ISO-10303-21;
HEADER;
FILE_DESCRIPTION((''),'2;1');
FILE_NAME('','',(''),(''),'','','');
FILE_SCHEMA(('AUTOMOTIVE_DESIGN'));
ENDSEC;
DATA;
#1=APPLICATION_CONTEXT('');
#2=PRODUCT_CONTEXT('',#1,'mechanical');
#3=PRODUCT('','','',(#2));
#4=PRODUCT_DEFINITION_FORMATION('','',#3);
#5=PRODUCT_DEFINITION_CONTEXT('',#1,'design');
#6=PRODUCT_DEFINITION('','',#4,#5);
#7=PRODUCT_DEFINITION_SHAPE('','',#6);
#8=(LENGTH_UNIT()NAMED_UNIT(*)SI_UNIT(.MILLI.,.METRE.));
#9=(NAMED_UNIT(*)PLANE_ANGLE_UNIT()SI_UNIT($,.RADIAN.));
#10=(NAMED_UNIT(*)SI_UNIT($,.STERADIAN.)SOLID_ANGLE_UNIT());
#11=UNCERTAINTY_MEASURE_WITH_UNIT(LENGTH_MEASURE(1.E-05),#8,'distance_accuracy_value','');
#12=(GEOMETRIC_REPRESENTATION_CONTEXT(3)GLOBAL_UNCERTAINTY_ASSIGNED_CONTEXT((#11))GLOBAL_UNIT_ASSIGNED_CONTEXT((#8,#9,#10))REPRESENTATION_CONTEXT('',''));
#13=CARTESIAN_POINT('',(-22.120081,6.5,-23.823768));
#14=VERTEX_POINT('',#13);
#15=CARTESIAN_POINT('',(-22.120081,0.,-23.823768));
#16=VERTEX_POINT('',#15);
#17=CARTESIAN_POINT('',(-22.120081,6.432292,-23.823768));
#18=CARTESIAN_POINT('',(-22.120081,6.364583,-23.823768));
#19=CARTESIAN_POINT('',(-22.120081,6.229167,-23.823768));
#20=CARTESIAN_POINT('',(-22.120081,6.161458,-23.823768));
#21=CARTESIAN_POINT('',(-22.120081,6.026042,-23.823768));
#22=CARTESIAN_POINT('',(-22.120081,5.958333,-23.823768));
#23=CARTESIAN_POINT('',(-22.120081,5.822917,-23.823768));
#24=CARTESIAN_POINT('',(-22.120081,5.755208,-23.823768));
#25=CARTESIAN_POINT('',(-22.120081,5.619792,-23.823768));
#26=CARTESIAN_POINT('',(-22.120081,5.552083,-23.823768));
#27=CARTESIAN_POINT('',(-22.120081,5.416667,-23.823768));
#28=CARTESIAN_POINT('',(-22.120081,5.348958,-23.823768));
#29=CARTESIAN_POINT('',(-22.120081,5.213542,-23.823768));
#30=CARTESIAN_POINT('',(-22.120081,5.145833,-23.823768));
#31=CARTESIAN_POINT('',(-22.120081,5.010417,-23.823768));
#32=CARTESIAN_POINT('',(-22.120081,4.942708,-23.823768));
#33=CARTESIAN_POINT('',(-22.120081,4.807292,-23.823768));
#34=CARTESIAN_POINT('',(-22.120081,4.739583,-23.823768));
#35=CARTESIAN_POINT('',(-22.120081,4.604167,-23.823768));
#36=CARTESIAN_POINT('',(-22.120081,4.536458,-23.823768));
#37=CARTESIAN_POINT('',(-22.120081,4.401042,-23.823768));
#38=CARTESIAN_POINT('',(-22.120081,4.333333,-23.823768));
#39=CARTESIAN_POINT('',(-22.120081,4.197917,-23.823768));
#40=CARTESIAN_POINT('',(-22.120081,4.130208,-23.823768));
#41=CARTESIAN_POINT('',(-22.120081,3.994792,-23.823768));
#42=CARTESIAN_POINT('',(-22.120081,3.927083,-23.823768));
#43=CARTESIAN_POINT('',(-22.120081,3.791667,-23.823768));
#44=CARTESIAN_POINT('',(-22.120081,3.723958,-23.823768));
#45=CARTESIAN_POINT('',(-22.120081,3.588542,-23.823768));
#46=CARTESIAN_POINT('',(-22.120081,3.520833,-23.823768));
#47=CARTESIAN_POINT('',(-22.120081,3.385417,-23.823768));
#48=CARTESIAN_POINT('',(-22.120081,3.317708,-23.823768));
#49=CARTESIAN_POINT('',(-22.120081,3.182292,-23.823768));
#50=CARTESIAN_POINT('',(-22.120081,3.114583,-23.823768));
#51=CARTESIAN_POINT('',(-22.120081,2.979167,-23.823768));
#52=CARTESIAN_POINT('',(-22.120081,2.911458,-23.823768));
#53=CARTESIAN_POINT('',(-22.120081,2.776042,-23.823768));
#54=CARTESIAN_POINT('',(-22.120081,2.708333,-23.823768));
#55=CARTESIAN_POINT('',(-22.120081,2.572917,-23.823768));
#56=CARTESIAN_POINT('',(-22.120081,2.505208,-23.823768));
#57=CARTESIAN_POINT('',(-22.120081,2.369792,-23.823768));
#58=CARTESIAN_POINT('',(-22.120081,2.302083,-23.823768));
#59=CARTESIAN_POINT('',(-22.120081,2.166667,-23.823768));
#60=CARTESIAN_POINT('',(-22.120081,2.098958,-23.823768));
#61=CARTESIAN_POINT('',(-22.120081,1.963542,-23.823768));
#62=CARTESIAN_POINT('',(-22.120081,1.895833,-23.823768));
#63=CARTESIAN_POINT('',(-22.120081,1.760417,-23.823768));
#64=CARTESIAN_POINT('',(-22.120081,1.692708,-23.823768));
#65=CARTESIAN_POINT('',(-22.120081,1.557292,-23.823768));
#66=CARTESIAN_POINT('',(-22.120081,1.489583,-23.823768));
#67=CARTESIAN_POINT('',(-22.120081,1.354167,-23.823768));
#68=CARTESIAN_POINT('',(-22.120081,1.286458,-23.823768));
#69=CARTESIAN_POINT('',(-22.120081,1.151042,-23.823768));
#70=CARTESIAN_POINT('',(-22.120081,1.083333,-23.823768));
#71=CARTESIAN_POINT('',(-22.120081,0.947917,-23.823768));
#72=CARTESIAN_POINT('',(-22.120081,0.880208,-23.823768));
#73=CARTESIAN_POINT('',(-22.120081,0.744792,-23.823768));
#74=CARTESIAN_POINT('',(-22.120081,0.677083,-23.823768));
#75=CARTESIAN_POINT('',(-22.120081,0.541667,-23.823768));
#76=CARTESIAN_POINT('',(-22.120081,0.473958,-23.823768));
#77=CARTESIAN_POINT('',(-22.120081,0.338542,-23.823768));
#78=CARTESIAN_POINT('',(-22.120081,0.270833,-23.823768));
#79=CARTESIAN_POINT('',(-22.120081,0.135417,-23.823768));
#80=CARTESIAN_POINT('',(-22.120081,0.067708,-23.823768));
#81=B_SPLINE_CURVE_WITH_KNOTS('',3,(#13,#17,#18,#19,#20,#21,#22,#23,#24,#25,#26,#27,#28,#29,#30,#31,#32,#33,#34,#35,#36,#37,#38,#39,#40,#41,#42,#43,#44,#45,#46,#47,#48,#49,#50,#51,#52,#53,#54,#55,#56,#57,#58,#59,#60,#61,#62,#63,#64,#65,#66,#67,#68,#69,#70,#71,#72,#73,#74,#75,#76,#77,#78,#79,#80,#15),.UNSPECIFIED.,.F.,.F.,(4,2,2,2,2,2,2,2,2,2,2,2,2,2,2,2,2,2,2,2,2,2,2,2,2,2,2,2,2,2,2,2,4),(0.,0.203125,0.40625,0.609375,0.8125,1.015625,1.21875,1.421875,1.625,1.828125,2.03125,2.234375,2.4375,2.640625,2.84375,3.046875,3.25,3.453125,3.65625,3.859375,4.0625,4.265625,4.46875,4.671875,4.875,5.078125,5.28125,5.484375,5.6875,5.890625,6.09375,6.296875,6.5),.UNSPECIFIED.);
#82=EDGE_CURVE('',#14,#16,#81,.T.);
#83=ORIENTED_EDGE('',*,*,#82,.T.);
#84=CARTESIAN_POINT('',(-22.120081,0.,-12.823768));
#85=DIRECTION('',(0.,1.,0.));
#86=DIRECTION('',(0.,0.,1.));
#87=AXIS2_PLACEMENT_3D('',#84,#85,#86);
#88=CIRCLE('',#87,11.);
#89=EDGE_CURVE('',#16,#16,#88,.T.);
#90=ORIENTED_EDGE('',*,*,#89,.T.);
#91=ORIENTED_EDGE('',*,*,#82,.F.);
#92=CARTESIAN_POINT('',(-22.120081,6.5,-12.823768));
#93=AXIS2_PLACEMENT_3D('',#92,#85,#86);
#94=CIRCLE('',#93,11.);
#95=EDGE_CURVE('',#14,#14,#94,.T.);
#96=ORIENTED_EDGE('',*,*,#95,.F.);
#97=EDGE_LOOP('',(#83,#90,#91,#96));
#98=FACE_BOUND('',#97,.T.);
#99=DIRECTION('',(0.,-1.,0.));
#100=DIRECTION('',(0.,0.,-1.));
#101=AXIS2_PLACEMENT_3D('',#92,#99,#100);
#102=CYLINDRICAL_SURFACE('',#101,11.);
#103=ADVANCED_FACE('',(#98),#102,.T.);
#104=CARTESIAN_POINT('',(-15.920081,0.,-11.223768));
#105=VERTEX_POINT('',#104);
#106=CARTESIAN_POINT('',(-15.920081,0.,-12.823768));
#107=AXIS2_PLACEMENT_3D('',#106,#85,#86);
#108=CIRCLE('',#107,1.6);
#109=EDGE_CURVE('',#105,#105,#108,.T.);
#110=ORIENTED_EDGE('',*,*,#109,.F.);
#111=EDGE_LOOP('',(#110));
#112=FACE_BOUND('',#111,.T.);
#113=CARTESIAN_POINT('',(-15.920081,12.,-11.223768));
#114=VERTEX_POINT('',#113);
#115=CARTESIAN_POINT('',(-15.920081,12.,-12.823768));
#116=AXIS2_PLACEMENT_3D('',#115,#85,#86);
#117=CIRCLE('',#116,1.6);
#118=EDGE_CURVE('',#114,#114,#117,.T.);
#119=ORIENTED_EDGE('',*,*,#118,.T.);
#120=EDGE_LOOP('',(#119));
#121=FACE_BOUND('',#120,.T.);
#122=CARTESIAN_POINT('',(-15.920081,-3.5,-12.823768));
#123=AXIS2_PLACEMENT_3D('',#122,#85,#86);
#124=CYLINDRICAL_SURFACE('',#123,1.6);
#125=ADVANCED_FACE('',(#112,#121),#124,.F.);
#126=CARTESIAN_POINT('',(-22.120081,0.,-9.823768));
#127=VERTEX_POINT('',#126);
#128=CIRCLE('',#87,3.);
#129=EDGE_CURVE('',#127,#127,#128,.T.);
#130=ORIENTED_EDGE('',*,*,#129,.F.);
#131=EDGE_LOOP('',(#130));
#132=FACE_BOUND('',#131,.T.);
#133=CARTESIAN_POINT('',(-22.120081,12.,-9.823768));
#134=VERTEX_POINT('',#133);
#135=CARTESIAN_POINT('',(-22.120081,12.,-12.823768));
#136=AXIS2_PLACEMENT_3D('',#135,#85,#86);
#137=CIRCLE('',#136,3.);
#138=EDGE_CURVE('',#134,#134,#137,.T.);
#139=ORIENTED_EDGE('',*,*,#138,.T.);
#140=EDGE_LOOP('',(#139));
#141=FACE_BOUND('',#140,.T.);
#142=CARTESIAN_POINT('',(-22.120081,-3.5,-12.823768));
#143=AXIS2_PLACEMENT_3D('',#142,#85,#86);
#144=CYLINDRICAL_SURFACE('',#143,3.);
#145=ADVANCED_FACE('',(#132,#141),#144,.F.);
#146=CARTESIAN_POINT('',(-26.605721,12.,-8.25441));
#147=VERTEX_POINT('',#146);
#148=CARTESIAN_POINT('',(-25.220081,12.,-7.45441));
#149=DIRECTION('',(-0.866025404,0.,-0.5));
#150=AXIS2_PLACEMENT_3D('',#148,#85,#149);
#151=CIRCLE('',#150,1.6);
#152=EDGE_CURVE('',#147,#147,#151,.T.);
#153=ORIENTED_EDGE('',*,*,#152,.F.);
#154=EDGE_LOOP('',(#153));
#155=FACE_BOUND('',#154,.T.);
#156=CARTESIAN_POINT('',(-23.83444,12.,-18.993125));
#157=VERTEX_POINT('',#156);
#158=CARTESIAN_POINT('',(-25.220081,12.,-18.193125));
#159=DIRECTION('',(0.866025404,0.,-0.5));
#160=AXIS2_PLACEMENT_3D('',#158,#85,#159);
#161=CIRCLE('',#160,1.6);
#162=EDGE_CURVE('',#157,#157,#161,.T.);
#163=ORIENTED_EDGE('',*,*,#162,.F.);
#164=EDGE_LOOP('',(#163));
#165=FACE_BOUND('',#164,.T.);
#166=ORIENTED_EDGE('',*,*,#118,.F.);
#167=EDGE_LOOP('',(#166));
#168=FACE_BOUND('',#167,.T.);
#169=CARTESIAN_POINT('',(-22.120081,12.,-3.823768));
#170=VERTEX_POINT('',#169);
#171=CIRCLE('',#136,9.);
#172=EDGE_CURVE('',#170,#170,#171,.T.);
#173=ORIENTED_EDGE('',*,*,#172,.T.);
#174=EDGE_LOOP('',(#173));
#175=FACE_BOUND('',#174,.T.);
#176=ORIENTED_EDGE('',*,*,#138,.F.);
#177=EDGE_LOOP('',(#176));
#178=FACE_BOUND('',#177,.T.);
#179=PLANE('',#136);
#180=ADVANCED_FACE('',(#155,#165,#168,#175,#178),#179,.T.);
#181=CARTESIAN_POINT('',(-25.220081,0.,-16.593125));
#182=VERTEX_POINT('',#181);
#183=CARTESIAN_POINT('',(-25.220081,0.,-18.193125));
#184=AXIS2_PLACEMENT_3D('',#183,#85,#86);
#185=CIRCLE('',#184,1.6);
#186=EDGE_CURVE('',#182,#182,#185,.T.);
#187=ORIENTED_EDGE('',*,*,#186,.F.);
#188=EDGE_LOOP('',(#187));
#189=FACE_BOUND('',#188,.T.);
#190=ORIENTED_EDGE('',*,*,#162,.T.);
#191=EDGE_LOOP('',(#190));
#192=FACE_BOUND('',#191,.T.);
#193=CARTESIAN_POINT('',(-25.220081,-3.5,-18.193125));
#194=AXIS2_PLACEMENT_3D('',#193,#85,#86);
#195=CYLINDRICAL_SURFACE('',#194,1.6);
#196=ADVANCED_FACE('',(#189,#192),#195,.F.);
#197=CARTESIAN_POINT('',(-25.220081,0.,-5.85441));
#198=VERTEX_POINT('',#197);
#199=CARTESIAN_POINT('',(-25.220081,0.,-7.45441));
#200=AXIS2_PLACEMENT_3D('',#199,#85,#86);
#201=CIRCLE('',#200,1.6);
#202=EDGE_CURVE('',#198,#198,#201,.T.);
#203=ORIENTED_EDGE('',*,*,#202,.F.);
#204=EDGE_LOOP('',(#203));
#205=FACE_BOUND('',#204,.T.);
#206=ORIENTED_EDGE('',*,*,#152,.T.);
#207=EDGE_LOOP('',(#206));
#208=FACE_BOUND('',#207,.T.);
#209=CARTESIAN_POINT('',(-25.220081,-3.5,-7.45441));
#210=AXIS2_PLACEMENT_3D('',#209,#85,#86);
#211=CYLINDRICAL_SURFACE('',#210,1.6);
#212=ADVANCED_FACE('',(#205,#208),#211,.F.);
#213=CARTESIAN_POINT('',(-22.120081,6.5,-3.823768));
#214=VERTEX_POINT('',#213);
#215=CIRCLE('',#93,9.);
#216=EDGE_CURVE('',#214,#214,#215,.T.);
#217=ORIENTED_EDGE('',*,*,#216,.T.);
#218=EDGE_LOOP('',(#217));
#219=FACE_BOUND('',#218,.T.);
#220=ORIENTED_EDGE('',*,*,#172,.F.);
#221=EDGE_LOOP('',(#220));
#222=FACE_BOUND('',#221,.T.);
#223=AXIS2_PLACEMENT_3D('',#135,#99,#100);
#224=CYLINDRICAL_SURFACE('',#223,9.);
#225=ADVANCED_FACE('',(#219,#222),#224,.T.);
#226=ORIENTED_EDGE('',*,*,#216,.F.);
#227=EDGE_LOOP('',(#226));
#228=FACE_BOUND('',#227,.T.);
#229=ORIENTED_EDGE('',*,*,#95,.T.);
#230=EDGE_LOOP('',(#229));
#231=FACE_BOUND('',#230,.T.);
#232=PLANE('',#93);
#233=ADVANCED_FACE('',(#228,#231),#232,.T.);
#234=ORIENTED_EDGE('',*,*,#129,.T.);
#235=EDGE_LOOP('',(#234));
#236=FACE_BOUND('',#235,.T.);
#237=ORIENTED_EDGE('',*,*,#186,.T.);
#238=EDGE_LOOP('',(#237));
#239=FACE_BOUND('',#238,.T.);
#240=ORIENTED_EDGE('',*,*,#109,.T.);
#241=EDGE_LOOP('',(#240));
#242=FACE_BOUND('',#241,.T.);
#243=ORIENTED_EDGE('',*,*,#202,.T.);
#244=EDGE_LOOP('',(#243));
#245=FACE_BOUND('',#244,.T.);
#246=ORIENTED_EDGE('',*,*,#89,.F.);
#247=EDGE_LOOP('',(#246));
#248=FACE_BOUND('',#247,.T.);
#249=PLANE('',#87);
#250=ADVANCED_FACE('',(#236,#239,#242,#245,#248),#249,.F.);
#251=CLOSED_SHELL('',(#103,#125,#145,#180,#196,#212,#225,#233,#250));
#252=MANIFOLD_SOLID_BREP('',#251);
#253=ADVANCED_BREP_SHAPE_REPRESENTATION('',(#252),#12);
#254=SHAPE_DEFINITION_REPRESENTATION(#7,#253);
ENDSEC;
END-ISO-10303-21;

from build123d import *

# Parameters (mm, degrees)
SKETCH1_R           = 11
BOSS_EXTRUDE1_DEPTH = 6.5
SKETCH2_R           = 9
BOSS_EXTRUDE2_DEPTH = 5.5
SKETCH3_R           = 3
CUT_EXTRUDE1_DEPTH  = 15.5
SKETCH4_R           = 1.6
CUT_EXTRUDE2_DEPTH  = 15.5
CIRPATTERN1_COUNT   = 3


with BuildPart() as part:
    # Sketch1 → Boss-Extrude1 (new body)
    with BuildSketch(Plane(origin=(0, 0, 0), x_dir=(1, 0, 0), z_dir=(0, 1, 0))):
        with Locations(Location((-22.120080678, 12.823767702, 0), (0, 0, 90))):
            Circle(SKETCH1_R)
    extrude(amount=BOSS_EXTRUDE1_DEPTH)

    # Sketch2 → Boss-Extrude2 (add)
    with BuildSketch(Plane(origin=(0, 6.5, 0), x_dir=(1, 0, 0), z_dir=(0, 1, 0))):
        with Locations(Location((-22.120080678, 12.823767702, 0), (0, 0, 270))):
            Circle(SKETCH2_R)
    extrude(amount=BOSS_EXTRUDE2_DEPTH)

    # Sketch3 → Cut-Extrude1 (cut)
    with BuildSketch(Plane(origin=(0, 12, 0), x_dir=(1, 0, 0), z_dir=(0, 1, 0))):
        with Locations(Location((-22.120080678, 12.823767702, 0), (0, 0, 270))):
            Circle(SKETCH3_R)
    extrude(amount=-CUT_EXTRUDE1_DEPTH, mode=Mode.SUBTRACT)

    # Sketch4 → Cut-Extrude2 (cut)
    with BuildSketch(Plane(origin=(0, 12, 0), x_dir=(1, 0, 0), z_dir=(0, 1, 0))):
        with Locations(Location((-15.920080678, 12.823767702, 0), (0, 0, 270))):
            Circle(SKETCH4_R)
    cut_extrude2 = extrude(amount=-CUT_EXTRUDE2_DEPTH, mode=Mode.SUBTRACT)

    # CirPattern1: Cut-Extrude2 ×3 about axis
    cirpattern1_axis = Axis((-22.120080678, 0, -12.823767702), (0, 1, 0))
    for i in range(1, CIRPATTERN1_COUNT):
        add(cut_extrude2.rotate(cirpattern1_axis, i * 360 / CIRPATTERN1_COUNT), mode=Mode.SUBTRACT)


solid = part.part
